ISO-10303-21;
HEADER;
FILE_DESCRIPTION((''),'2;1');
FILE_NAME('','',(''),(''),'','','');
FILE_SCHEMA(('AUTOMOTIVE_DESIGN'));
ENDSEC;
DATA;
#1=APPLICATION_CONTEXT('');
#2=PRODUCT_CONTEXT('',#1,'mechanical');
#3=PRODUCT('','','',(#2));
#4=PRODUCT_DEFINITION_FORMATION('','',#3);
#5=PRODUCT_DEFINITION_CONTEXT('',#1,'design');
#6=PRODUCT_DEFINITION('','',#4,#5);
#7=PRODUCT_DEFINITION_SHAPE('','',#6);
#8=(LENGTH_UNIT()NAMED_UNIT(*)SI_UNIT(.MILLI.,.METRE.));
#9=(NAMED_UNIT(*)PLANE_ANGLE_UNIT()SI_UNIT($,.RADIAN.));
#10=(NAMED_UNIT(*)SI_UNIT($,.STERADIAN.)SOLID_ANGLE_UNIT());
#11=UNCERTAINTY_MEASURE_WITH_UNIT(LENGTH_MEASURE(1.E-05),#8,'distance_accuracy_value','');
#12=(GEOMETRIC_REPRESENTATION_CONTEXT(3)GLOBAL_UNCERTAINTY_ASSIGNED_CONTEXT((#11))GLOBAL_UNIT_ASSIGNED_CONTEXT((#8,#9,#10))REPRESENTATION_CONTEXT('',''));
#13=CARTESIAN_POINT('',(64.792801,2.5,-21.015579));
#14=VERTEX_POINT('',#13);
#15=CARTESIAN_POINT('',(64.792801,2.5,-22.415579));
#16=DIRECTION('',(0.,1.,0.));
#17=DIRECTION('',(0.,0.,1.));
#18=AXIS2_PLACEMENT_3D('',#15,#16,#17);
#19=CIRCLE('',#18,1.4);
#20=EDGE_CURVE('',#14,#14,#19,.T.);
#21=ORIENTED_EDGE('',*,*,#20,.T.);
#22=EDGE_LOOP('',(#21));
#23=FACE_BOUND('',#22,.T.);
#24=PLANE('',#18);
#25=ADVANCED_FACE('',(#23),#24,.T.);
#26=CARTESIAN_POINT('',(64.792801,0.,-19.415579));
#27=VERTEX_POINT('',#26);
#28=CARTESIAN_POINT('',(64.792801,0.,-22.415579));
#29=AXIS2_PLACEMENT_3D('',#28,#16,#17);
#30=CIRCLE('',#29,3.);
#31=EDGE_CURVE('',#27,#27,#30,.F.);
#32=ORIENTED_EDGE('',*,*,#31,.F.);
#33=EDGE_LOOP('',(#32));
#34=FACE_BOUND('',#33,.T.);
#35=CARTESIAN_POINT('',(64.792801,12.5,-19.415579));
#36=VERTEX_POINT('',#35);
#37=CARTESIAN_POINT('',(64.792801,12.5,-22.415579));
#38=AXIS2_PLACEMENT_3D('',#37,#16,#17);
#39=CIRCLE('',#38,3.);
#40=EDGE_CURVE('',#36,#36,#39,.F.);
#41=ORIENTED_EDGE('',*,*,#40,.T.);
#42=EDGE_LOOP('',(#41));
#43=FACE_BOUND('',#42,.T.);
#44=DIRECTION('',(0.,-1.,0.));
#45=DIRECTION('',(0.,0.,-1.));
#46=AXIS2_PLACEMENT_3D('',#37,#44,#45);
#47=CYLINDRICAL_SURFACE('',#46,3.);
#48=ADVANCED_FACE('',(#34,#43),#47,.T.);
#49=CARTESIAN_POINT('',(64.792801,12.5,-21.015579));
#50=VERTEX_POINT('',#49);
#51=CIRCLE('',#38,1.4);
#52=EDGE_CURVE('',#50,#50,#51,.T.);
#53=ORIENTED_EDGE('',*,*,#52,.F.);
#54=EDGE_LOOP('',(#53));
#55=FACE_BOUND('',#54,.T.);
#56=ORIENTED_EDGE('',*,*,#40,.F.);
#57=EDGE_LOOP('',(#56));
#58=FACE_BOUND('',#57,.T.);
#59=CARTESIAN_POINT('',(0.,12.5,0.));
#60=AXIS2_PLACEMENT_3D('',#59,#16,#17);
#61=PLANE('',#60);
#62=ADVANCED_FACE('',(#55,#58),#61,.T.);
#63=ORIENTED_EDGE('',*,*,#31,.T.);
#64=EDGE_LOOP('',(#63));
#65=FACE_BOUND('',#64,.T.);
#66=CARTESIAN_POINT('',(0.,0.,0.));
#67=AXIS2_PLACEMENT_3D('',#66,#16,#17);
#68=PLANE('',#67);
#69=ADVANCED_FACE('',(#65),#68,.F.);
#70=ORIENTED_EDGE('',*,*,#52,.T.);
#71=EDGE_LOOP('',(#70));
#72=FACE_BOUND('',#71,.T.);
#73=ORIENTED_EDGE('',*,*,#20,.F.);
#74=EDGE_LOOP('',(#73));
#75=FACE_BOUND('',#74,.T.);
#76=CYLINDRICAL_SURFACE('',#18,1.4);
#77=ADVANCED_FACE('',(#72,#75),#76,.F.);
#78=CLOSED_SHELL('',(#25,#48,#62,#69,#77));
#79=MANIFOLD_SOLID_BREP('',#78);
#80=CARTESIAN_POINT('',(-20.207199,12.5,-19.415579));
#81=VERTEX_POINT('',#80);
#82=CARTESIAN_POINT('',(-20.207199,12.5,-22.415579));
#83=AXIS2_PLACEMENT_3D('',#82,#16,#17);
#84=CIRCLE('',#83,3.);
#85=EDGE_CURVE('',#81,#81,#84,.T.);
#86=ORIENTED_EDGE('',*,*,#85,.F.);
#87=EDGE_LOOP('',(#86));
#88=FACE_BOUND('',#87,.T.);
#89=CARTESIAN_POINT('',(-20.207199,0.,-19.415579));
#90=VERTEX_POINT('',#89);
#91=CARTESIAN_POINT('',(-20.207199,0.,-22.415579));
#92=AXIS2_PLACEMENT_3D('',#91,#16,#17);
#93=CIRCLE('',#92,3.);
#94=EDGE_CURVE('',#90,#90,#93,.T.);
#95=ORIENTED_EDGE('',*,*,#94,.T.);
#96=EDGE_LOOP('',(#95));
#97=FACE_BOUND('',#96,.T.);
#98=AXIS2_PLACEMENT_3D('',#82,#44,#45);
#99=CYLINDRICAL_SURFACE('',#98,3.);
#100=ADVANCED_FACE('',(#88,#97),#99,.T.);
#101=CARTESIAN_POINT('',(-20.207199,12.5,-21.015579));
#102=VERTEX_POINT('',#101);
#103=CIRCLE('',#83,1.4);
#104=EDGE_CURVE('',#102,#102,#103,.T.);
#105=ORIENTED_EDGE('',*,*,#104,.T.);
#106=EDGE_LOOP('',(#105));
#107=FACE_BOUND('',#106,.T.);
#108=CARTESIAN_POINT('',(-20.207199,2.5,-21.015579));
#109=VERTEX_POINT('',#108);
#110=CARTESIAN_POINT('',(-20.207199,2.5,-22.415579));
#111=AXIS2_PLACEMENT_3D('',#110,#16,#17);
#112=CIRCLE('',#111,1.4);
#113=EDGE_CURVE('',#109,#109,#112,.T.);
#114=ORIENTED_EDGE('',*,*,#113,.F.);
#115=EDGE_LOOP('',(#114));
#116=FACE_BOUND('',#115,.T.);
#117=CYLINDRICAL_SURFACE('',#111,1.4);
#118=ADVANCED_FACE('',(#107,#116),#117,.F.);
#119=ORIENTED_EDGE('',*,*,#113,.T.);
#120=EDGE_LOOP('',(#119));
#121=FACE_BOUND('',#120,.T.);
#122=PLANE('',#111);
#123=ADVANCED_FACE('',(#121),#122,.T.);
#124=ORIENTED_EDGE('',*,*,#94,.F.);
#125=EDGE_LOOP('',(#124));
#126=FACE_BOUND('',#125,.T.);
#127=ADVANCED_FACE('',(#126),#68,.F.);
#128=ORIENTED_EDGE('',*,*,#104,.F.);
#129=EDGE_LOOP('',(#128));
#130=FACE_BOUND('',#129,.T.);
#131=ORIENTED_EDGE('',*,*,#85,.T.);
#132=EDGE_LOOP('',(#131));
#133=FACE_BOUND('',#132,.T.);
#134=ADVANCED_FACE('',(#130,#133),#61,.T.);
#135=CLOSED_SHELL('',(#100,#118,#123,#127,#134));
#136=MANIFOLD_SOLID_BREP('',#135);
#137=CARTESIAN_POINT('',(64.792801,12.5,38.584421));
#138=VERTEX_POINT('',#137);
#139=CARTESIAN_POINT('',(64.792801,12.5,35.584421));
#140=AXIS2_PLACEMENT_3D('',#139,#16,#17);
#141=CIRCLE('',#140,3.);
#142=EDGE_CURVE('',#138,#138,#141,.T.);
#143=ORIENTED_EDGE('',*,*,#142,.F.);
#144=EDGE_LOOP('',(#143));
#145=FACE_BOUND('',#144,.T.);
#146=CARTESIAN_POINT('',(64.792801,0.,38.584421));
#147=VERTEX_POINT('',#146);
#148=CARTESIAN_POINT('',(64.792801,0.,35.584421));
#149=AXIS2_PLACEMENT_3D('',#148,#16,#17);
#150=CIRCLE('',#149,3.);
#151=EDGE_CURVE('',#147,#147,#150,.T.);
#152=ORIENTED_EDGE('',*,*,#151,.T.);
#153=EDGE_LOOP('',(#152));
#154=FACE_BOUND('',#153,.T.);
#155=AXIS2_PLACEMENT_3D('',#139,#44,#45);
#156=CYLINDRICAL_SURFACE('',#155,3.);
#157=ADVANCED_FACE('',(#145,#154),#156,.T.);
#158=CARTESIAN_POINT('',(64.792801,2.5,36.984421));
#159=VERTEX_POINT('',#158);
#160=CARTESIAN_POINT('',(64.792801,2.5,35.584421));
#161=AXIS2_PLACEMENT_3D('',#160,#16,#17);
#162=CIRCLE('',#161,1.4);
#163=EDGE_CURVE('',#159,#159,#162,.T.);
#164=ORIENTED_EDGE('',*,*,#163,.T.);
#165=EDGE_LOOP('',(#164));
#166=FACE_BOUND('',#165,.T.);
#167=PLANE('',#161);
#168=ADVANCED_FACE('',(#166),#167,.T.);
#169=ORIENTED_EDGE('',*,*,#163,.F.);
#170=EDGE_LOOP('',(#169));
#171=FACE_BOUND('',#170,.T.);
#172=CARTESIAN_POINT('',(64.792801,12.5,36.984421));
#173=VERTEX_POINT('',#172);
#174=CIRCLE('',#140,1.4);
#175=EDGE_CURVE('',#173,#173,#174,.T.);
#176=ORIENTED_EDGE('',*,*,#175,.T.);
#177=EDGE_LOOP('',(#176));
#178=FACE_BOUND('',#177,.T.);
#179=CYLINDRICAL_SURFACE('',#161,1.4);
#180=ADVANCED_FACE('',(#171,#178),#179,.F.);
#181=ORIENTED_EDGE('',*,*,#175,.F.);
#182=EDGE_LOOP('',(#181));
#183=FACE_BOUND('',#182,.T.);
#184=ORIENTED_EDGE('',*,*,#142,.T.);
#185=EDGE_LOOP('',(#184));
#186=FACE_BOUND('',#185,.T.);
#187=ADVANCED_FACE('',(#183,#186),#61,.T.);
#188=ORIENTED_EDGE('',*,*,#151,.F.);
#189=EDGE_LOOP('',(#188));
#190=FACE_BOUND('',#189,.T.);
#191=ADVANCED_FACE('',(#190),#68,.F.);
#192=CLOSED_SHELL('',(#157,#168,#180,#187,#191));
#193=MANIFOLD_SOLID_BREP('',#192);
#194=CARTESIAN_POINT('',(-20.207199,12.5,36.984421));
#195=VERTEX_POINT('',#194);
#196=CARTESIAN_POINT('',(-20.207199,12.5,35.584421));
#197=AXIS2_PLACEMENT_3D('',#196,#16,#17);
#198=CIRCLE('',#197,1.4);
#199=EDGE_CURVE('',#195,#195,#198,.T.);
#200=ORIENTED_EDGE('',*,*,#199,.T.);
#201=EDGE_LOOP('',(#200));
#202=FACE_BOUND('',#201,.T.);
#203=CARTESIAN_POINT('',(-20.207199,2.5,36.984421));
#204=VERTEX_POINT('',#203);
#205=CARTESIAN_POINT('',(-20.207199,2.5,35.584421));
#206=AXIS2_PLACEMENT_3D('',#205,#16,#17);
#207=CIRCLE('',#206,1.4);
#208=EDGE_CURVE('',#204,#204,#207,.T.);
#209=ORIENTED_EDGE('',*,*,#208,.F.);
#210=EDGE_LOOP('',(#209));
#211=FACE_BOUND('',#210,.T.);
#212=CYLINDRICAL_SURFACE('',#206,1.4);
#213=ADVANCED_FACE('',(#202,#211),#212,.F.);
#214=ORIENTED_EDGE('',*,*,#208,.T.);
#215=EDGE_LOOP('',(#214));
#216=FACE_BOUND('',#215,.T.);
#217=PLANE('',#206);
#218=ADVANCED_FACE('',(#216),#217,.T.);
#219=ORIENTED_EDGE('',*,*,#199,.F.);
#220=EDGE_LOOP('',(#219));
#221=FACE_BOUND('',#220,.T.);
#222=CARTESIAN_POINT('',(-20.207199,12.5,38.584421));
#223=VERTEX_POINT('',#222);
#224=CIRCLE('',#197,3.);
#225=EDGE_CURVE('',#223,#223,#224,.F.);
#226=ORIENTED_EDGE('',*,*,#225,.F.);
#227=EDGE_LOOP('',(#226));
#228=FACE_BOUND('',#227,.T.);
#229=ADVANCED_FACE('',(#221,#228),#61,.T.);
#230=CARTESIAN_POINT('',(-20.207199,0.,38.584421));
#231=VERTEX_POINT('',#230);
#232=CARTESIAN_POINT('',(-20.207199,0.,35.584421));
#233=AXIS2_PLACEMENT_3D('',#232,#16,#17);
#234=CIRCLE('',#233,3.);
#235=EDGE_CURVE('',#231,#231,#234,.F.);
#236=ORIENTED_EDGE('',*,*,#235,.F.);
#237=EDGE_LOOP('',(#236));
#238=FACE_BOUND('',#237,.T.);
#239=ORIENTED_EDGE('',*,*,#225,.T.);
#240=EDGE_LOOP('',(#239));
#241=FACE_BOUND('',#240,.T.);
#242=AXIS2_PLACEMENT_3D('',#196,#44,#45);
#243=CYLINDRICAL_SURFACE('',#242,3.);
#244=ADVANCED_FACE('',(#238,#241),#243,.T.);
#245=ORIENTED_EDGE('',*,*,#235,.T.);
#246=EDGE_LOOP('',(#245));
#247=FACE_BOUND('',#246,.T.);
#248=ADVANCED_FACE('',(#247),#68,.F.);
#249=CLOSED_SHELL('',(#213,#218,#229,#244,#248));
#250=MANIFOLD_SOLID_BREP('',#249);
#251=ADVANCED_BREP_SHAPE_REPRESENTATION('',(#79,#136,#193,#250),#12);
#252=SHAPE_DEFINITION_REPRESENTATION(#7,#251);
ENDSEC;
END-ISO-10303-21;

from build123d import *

# Parameters (mm, degrees)
BOSS_EXTRUDE1_DEPTH = 12.5
SKETCH2_R           = 1.4
CUT_EXTRUDE1_DEPTH  = 10


with BuildPart() as part:
    # Sketch1 → Boss-Extrude1 (new body)
    with BuildSketch(Plane(origin=(0, 0, 0), x_dir=(1, 0, 0), z_dir=(0, 1, 0))):
        with BuildLine():
            ThreePointArc((-17.207199178, -35.584421134), (-18.085878834, -33.46310079), (-20.207199178, -32.584421134))
            Line((-20.207199178, -32.584421134), (-20.207199178, -35.584421134))
            Line((-20.207199178, -35.584421134), (-17.207199178, -35.584421134))
        make_face()
        with BuildLine():
            Line((-20.207199178, -35.584421134), (-20.207199178, -32.584421134))
            ThreePointArc((-20.207199178, -32.584421134), (-22.328519521, -37.705741477), (-17.207199178, -35.584421134))
            Line((-17.207199178, -35.584421134), (-20.207199178, -35.584421134))
        make_face()
        with BuildLine():
            Line((-20.207199178, 19.415578866), (-20.207199178, 22.415578866))
            Line((-20.207199178, 22.415578866), (-17.207199178, 22.415578866))
            ThreePointArc((-17.207199178, 22.415578866), (-22.328519521, 24.53689921), (-20.207199178, 19.415578866))
        make_face()
        with BuildLine():
            Line((-17.207199178, 22.415578866), (-20.207199178, 22.415578866))
            Line((-20.207199178, 22.415578866), (-20.207199178, 19.415578866))
            ThreePointArc((-20.207199178, 19.415578866), (-18.085878834, 20.294258523), (-17.207199178, 22.415578866))
        make_face()
        with BuildLine():
            ThreePointArc((67.792800822, -35.584421134), (66.914121166, -33.46310079), (64.792800822, -32.584421134))
            Line((64.792800822, -32.584421134), (64.792800822, -35.584421134))
            Line((64.792800822, -35.584421134), (61.792800822, -35.584421134))
            ThreePointArc((61.792800822, -35.584421134), (64.792800822, -38.584421134), (67.792800822, -35.584421134))
        make_face()
        with BuildLine():
            Line((64.792800822, -35.584421134), (64.792800822, -32.584421134))
            ThreePointArc((64.792800822, -32.584421134), (62.671480479, -33.46310079), (61.792800822, -35.584421134))
            Line((61.792800822, -35.584421134), (64.792800822, -35.584421134))
        make_face()
        with BuildLine():
            ThreePointArc((67.792800822, 22.415578866), (64.792800822, 25.415578866), (61.792800822, 22.415578866))
            Line((61.792800822, 22.415578866), (64.792800822, 22.415578866))
            Line((64.792800822, 22.415578866), (64.792800822, 19.415578866))
            ThreePointArc((64.792800822, 19.415578866), (66.914121166, 20.294258523), (67.792800822, 22.415578866))
        make_face()
        with BuildLine():
            Line((64.792800822, 22.415578866), (61.792800822, 22.415578866))
            ThreePointArc((61.792800822, 22.415578866), (62.671480479, 20.294258523), (64.792800822, 19.415578866))
            Line((64.792800822, 19.415578866), (64.792800822, 22.415578866))
        make_face()
    extrude(amount=BOSS_EXTRUDE1_DEPTH)

    # Sketch2 → Cut-Extrude1 (cut)
    with BuildSketch(Plane(origin=(0, 12.5, 0), x_dir=(1, 0, 0), z_dir=(0, 1, 0))):
        with Locations(Location((-20.207199178, 22.415578866, 0), (0, 0, 270))):
            Circle(SKETCH2_R)
        with Locations(Location((-20.207199178, -35.584421134, 0), (0, 0, 270))):
            Circle(SKETCH2_R)
        with Locations(Location((64.792800822, -35.584421134, 0), (0, 0, 270))):
            Circle(SKETCH2_R)
        with Locations(Location((64.792800822, 22.415578866, 0), (0, 0, 270))):
            Circle(SKETCH2_R)
    extrude(amount=-CUT_EXTRUDE1_DEPTH, mode=Mode.SUBTRACT)


solid = part.part
